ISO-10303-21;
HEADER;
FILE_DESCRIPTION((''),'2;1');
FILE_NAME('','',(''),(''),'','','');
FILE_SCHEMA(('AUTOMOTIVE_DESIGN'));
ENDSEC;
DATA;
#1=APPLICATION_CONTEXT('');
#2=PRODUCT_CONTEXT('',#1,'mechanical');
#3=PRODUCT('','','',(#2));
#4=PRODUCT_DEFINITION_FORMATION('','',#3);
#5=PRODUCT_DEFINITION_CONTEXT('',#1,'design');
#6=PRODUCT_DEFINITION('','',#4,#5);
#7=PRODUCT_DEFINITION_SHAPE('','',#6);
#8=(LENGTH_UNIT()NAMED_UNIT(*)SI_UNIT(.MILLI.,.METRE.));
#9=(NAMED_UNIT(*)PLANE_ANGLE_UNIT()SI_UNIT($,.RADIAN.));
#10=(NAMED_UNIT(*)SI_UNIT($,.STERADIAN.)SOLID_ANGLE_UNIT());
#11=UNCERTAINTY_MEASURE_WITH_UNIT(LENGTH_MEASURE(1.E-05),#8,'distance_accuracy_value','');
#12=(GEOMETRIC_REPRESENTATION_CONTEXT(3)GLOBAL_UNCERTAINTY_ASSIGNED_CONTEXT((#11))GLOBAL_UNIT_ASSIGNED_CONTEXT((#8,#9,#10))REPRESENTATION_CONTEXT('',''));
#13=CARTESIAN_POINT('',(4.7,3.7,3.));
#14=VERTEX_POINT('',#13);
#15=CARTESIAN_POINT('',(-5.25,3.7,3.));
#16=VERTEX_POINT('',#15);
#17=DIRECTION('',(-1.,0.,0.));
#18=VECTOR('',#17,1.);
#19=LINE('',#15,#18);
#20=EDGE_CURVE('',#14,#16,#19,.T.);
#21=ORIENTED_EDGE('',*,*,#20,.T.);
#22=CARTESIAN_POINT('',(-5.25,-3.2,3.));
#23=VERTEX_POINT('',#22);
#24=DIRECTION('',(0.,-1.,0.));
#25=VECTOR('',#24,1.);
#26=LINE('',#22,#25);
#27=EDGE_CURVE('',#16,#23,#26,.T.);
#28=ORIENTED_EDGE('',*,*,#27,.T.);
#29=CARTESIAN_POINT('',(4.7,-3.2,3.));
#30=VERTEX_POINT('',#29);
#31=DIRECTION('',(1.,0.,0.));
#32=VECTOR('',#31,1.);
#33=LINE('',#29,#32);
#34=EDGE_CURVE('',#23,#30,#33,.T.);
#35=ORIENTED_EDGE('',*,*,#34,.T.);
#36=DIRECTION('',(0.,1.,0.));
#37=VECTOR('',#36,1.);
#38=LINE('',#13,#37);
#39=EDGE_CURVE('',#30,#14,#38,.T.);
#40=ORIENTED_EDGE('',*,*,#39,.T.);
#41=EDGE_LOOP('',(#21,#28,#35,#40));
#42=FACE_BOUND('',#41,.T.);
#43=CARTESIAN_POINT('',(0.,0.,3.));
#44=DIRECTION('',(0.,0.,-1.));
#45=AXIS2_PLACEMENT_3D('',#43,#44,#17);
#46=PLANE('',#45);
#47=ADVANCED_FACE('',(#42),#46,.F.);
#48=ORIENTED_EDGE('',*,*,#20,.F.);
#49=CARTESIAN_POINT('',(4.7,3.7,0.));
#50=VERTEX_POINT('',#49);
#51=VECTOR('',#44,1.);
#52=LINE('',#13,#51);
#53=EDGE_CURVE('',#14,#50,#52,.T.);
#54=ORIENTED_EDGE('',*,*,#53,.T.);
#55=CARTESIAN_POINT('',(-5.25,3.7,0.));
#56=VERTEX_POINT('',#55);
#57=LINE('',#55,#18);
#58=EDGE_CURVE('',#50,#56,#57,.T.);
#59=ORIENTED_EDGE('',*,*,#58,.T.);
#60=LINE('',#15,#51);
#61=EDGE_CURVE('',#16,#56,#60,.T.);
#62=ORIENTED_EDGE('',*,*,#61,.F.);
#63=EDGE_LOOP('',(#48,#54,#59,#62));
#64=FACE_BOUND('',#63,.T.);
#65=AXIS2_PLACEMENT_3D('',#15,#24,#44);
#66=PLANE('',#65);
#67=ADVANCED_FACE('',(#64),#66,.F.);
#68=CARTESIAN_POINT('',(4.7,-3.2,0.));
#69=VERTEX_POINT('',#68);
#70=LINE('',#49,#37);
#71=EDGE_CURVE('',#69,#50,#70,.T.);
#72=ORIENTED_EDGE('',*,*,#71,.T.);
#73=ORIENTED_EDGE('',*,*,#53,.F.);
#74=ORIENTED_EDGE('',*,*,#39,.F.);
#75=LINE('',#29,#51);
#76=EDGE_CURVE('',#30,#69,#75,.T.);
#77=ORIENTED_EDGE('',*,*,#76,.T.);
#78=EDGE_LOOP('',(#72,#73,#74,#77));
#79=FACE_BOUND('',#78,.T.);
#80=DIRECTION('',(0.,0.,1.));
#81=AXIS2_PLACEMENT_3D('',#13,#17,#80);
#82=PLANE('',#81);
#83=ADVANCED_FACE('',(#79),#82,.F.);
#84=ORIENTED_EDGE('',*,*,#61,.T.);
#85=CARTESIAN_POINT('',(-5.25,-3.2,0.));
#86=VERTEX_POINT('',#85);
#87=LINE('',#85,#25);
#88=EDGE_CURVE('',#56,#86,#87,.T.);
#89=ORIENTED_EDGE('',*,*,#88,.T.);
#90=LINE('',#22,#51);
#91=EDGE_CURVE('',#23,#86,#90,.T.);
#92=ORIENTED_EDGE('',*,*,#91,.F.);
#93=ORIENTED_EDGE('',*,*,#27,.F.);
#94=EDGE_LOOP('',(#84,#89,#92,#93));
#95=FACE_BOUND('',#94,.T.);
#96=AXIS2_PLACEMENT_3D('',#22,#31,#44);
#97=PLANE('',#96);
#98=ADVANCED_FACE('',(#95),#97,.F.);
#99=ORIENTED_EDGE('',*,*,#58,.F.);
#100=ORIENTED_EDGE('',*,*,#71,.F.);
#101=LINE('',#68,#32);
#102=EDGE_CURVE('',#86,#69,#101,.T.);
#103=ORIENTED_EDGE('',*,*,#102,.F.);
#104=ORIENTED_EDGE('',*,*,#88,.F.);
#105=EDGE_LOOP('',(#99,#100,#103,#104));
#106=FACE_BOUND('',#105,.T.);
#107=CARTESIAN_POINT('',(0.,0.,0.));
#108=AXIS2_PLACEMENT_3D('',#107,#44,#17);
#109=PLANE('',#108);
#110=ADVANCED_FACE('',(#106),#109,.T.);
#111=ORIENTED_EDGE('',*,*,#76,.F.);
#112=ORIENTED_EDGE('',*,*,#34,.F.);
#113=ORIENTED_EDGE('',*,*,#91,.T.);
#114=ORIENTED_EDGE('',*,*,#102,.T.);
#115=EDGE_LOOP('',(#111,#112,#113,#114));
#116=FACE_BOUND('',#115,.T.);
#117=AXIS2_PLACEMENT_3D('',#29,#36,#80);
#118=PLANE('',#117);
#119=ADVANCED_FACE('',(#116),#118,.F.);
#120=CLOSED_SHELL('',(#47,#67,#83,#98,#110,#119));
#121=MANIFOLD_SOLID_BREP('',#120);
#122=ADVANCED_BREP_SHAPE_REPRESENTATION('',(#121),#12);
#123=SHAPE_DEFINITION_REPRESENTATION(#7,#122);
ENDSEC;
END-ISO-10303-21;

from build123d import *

# Parameters (mm, degrees)
SKETCH1_W               = 9.95
SKETCH1_H               = 6.9
COMPONENT_OUTLINE_DEPTH = 3


with BuildPart() as part:
    # Sketch1 → Component_Outline (new body)
    with BuildSketch(Plane.XY):
        with Locations((-0.275, 0.25)):
            Rectangle(SKETCH1_W, SKETCH1_H)
    extrude(amount=COMPONENT_OUTLINE_DEPTH)


solid = part.part
